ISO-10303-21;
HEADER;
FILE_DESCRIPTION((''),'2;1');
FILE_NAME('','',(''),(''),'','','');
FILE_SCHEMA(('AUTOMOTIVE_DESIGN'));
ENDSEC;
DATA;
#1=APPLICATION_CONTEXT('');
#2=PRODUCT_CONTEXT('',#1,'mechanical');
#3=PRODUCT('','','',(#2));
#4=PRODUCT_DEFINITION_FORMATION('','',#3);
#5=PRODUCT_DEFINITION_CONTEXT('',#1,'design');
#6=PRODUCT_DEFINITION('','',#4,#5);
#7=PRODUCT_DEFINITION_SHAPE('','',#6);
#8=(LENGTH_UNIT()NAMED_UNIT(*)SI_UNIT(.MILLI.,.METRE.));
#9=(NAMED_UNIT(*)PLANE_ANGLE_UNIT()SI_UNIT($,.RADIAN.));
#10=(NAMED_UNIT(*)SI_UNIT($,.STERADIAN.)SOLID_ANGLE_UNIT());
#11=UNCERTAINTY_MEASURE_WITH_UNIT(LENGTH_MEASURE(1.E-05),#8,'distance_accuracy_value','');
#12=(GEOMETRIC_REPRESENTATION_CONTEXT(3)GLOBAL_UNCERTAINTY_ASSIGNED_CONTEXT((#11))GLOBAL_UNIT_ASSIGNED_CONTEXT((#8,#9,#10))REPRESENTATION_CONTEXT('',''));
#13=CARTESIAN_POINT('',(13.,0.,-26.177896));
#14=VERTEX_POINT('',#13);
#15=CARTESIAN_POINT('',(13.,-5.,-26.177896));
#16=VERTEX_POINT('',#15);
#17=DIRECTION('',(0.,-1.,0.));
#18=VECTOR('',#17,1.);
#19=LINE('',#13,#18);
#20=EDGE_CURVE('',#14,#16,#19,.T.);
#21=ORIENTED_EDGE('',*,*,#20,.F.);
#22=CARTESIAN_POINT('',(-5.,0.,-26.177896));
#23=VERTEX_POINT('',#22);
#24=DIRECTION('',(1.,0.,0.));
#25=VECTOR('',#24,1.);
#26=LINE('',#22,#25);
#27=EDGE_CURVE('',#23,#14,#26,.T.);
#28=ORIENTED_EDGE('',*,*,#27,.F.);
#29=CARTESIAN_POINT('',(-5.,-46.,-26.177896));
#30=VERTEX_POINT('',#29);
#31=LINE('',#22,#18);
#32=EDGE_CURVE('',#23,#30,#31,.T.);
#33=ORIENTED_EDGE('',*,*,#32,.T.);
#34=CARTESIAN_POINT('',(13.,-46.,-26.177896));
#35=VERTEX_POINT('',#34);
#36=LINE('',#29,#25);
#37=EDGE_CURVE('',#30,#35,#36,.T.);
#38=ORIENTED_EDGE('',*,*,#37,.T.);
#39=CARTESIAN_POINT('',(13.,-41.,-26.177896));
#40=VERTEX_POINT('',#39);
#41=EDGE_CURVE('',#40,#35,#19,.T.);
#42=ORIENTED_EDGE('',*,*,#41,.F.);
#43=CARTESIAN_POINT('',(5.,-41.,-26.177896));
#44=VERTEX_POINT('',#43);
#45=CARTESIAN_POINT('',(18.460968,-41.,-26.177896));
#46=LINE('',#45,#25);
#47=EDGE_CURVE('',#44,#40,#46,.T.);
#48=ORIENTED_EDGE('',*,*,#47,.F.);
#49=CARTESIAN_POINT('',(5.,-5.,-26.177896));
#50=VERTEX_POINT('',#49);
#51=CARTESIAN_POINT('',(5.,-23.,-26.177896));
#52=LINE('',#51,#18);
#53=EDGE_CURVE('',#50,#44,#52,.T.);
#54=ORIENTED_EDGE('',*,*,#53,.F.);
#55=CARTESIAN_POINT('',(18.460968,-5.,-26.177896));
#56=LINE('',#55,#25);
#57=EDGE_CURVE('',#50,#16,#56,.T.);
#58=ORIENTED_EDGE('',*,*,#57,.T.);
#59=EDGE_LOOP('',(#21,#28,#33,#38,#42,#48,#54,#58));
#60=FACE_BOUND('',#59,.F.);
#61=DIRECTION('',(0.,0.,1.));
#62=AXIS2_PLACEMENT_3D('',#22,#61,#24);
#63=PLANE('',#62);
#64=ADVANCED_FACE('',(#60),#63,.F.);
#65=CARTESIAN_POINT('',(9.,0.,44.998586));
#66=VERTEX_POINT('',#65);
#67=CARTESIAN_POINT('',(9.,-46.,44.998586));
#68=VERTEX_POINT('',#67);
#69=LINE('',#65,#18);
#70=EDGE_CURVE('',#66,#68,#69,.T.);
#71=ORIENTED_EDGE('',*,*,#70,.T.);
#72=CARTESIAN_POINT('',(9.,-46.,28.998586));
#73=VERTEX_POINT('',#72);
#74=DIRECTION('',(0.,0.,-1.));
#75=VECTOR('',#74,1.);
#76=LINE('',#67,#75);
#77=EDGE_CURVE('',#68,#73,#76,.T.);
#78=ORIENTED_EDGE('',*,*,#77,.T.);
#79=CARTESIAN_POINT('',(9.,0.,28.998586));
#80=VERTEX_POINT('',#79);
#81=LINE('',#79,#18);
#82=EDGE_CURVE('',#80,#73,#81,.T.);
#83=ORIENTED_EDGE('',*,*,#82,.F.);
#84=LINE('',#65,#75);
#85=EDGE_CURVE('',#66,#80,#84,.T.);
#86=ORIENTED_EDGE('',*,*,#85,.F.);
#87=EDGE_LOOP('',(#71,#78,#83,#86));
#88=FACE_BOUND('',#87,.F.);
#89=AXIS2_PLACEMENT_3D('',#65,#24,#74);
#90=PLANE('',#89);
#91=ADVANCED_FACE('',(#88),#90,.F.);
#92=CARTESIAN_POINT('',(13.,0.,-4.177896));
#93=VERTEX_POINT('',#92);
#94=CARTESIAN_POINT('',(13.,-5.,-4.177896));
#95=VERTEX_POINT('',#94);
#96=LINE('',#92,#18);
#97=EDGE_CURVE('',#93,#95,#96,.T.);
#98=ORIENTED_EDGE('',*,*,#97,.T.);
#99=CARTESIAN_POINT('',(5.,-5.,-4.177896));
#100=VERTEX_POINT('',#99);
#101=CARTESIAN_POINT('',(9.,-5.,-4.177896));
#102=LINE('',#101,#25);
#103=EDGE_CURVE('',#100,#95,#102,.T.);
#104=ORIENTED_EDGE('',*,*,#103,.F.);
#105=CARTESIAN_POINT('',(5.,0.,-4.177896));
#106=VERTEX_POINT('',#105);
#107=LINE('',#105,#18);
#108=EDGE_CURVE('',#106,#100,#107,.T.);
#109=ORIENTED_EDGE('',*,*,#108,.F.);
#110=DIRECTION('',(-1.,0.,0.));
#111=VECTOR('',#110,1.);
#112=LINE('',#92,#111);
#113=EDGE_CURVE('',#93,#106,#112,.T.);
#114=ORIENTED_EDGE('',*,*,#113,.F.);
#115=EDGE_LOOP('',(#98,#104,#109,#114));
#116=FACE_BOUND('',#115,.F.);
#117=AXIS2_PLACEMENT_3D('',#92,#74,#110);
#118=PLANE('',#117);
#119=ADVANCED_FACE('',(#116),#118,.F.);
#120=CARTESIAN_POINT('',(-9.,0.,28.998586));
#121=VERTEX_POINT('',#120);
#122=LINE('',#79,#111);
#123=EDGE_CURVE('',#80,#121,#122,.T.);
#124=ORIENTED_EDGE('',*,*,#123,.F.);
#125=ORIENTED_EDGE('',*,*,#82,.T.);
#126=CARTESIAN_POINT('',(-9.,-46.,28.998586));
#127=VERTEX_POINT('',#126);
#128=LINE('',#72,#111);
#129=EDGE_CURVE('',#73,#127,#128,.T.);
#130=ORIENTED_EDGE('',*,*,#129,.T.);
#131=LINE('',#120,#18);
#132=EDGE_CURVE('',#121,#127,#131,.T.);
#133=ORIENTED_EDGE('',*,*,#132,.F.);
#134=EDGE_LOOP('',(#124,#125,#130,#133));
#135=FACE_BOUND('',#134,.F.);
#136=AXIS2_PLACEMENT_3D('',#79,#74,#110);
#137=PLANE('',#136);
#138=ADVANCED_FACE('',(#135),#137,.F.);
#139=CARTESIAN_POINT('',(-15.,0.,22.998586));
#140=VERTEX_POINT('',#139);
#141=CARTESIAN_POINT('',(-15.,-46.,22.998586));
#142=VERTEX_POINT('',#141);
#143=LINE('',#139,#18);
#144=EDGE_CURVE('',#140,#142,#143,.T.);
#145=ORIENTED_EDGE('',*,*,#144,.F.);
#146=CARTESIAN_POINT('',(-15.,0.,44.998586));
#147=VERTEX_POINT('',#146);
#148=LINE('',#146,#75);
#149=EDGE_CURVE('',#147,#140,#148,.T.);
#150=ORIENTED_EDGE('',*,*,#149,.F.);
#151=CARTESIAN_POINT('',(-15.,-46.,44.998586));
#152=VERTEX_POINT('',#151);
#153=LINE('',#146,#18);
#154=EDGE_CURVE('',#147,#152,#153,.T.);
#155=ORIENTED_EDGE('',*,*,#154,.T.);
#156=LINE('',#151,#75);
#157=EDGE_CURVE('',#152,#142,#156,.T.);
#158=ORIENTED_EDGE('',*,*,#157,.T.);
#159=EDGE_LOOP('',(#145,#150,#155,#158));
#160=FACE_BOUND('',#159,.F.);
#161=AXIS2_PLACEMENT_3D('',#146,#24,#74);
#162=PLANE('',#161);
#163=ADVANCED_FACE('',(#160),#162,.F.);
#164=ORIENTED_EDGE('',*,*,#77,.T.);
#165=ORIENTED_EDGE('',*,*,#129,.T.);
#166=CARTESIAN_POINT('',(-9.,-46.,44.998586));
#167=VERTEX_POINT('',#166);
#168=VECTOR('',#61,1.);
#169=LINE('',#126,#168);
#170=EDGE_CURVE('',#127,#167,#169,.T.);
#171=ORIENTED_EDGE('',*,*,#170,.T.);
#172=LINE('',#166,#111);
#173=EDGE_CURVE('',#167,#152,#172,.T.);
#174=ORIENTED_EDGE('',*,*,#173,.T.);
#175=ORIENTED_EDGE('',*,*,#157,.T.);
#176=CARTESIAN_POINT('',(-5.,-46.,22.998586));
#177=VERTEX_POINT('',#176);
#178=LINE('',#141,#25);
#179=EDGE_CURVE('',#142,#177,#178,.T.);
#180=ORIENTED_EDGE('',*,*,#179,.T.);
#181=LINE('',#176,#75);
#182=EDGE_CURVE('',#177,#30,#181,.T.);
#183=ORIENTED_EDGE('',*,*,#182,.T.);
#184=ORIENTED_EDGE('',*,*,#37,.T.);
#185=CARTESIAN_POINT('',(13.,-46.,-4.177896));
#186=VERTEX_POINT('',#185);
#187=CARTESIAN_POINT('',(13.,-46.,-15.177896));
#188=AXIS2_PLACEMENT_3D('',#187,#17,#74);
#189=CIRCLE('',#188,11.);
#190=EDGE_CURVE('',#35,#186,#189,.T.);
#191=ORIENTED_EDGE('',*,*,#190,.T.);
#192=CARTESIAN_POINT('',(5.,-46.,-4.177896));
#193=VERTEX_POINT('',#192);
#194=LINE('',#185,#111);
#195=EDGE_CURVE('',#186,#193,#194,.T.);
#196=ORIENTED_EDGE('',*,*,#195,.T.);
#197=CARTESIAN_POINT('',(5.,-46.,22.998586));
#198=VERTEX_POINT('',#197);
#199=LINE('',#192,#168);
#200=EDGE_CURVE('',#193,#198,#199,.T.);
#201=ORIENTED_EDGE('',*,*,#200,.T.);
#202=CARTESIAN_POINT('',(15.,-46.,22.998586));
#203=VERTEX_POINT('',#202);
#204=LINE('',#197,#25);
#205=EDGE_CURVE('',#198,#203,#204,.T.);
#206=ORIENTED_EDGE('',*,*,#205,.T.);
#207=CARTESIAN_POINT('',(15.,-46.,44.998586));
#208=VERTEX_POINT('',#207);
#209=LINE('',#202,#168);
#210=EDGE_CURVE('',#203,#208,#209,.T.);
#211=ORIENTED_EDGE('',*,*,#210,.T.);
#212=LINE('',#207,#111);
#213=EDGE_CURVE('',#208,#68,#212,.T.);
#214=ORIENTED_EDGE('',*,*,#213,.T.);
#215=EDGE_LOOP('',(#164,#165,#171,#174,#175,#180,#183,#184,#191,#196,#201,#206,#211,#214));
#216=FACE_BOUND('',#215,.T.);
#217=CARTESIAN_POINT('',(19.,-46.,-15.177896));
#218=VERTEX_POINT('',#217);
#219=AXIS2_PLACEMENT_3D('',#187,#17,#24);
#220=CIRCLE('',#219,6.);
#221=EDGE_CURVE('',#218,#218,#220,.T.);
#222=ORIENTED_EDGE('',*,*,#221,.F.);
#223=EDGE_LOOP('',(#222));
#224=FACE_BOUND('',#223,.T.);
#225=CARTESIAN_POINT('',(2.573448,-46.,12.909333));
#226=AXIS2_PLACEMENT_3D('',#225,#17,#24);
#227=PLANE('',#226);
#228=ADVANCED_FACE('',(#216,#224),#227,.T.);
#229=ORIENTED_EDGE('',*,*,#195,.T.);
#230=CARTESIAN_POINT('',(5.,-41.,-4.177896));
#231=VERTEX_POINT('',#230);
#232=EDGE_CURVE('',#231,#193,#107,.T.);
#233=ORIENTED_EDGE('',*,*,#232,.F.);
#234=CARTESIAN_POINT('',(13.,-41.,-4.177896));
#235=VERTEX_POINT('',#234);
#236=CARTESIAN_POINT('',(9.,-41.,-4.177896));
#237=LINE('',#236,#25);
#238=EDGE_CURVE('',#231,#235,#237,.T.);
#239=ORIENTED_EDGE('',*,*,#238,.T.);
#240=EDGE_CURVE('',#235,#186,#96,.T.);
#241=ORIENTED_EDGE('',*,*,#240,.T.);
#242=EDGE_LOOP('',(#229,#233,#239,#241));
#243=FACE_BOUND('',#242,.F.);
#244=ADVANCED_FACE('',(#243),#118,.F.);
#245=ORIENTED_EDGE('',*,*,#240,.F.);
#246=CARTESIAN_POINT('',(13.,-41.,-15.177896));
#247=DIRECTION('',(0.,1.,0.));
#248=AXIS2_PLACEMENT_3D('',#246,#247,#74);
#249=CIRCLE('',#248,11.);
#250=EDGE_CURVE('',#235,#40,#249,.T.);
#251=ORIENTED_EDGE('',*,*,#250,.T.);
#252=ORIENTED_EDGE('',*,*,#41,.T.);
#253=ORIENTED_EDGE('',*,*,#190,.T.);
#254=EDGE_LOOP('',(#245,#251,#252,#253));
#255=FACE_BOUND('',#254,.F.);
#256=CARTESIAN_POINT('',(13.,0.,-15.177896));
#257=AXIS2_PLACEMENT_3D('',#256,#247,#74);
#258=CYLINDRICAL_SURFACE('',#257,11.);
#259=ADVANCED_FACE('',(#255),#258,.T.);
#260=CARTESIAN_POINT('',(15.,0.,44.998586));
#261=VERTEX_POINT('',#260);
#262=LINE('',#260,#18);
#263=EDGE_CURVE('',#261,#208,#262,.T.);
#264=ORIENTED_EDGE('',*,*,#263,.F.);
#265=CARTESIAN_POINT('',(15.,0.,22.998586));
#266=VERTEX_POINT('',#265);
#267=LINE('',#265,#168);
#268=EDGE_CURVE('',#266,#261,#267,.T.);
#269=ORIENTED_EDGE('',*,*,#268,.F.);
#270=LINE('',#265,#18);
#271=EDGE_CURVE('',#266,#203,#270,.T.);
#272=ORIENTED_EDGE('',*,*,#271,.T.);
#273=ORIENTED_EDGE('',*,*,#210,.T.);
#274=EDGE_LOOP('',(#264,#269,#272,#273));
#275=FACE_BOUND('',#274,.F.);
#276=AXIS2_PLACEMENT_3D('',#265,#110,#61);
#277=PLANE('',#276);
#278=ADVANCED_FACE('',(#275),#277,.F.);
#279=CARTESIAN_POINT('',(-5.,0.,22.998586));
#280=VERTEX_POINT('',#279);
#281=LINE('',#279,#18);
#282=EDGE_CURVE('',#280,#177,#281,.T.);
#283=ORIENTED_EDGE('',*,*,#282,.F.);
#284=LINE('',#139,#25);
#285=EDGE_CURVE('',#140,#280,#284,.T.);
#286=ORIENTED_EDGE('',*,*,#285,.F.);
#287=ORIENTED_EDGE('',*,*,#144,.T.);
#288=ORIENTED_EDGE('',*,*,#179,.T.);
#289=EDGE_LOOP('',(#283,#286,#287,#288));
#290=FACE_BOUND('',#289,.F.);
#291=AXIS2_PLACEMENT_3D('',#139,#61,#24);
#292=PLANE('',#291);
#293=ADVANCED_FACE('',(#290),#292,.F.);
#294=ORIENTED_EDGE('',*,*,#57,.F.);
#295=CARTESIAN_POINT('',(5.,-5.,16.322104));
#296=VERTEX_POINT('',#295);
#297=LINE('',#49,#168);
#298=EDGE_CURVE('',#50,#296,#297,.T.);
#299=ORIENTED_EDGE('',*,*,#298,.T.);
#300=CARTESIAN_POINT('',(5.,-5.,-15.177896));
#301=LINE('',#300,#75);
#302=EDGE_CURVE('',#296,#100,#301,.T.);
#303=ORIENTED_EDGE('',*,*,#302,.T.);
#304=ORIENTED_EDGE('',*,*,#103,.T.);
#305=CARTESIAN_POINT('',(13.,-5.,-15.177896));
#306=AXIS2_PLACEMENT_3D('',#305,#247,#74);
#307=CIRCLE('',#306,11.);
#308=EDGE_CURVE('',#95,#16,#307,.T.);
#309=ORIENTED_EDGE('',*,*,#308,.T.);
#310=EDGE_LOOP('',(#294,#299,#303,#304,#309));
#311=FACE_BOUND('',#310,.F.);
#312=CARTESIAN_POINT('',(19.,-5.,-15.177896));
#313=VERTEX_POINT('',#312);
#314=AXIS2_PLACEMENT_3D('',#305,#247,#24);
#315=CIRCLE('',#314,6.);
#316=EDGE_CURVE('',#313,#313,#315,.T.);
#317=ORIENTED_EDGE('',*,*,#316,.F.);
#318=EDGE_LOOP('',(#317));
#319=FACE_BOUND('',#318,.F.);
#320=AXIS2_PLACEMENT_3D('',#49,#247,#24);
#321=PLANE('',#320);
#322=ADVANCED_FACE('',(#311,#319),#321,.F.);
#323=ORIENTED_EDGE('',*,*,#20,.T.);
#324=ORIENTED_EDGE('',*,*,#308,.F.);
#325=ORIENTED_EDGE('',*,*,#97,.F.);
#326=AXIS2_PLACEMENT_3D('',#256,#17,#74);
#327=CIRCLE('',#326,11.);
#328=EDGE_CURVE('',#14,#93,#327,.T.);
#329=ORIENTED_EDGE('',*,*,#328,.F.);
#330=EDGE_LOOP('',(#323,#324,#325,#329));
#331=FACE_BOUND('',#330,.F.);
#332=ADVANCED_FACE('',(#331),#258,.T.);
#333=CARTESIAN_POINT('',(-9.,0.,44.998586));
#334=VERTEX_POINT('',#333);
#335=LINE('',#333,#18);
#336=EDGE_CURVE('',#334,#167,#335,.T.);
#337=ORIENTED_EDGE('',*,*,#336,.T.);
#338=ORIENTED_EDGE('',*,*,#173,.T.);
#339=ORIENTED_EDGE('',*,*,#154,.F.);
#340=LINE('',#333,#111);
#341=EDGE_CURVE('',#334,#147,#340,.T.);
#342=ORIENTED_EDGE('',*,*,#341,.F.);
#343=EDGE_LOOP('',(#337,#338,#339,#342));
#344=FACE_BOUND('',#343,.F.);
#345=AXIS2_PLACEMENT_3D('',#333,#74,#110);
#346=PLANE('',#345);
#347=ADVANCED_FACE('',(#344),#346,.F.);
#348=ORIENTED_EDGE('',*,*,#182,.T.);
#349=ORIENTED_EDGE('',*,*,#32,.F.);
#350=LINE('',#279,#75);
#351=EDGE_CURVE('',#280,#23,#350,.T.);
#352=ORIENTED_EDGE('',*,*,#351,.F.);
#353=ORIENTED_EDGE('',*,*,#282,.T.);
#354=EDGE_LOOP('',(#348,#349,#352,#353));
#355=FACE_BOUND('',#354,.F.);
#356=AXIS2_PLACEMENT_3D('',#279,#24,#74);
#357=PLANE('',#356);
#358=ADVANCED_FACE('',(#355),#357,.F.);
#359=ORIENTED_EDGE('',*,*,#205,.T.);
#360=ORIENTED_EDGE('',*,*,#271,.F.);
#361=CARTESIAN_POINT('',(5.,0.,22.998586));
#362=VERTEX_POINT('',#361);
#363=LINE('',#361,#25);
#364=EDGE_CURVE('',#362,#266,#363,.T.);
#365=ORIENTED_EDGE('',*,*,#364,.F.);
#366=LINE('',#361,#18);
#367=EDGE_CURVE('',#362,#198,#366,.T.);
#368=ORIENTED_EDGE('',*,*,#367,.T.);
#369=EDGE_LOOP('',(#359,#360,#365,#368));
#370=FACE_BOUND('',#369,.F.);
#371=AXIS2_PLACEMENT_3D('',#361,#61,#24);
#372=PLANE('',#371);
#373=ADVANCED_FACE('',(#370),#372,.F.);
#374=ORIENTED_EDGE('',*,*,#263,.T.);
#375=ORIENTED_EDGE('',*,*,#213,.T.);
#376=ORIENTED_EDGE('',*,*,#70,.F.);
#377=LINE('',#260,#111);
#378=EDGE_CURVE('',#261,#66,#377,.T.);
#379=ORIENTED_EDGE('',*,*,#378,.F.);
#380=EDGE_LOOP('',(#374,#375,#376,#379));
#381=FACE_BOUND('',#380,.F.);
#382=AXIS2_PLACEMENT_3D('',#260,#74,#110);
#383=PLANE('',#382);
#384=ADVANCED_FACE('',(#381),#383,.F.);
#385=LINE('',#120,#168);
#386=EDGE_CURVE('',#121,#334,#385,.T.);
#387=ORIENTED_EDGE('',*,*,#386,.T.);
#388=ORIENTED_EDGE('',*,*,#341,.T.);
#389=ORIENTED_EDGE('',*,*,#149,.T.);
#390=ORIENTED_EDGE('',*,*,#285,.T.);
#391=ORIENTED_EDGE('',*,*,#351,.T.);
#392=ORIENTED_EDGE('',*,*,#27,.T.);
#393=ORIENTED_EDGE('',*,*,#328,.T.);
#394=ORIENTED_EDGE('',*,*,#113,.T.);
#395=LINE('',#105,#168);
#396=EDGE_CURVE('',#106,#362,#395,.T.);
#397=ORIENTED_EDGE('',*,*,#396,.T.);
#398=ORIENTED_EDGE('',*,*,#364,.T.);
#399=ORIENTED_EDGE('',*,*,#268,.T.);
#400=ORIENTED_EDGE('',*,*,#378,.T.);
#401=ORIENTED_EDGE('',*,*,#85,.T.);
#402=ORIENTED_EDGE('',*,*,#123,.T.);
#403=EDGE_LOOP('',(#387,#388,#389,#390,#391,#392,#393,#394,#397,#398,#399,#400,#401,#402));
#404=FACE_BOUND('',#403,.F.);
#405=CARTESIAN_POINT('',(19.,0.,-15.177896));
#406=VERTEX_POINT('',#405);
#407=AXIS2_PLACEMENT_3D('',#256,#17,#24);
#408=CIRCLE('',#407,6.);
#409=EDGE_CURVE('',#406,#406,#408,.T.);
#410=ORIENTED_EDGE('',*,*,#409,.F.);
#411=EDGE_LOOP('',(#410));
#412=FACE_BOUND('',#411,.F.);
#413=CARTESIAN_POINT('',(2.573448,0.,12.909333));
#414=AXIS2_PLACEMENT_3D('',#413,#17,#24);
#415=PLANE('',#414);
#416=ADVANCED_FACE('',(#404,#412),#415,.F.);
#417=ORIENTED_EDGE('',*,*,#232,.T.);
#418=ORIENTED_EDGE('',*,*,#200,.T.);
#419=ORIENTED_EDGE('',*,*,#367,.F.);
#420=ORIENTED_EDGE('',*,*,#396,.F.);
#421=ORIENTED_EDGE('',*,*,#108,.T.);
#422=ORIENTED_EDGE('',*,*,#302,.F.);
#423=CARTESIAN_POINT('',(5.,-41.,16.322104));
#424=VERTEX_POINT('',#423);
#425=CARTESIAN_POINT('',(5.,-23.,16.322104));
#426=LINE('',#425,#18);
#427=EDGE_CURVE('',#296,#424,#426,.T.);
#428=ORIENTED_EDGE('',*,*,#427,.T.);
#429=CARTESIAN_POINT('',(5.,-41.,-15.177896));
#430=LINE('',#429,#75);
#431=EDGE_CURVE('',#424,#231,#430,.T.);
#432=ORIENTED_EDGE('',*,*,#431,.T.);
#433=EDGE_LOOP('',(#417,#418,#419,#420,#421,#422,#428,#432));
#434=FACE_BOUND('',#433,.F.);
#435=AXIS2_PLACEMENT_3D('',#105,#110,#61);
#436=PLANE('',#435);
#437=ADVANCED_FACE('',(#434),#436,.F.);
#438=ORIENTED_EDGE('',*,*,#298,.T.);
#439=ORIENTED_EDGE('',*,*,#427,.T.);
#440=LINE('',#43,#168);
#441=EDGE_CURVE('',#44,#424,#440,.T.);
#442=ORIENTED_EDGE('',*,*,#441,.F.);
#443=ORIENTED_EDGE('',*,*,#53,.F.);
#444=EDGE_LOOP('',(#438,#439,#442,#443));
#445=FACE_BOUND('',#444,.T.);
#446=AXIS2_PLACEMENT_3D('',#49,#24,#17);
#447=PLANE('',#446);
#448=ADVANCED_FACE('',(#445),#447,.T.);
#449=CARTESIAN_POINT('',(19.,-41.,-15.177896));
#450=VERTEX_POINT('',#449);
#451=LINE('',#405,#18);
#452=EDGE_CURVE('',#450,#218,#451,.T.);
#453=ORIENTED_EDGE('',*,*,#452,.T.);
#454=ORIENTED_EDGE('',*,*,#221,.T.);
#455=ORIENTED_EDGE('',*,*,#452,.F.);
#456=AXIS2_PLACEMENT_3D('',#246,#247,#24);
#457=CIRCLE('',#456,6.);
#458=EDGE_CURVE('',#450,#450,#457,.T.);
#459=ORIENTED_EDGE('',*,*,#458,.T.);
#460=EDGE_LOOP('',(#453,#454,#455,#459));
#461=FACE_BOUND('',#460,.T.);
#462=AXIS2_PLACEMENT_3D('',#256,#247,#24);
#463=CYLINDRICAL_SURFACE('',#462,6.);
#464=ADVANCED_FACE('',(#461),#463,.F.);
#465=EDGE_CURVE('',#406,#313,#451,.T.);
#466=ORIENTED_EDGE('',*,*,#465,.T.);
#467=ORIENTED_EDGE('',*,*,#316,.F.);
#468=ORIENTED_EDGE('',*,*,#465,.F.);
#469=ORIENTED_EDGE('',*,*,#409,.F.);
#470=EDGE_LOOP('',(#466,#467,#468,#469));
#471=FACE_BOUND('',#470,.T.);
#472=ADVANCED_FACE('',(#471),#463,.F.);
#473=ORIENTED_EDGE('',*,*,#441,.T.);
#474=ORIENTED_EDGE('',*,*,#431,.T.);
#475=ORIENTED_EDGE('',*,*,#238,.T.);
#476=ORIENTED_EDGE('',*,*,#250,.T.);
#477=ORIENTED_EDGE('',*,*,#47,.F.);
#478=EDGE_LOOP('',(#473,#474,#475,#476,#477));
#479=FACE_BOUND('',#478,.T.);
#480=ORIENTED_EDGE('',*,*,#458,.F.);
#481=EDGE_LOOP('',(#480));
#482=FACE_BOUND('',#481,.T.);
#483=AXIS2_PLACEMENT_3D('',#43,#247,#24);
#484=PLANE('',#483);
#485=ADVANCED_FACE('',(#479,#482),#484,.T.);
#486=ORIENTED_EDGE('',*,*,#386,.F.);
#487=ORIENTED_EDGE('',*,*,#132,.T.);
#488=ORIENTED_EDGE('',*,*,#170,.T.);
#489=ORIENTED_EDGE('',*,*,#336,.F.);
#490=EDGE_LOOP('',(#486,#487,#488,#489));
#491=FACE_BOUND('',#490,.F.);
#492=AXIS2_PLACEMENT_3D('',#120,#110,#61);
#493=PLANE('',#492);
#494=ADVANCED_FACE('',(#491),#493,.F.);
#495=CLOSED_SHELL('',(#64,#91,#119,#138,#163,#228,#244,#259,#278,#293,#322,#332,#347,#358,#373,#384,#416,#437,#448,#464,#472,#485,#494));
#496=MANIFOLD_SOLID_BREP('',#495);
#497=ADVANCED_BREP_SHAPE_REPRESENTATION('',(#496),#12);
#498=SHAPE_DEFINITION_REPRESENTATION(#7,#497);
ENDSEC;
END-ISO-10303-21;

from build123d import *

# Parameters (mm, degrees)
F0_R     = 6
F1_DEPTH = 46
F2_W     = 26.921937
F2_H     = 36
F3_DEPTH = 42.5


with BuildPart() as f1:
    # F0 (on Front) → F1 (new body)
    with BuildSketch(Plane.XZ):
        with BuildLine():
            Line((-9, 44.998586), (-15, 44.998586))
            Line((-15, 44.998586), (-15, 22.998586))
            Line((-15, 22.998586), (-5, 22.998586))
            Line((-5, 22.998586), (-5, -26.177896))
            Line((-5, -26.177896), (5, -26.177896))
            Line((5, -26.177896), (13, -26.177896))
            ThreePointArc((13, -26.177896), (24, -15.177896), (13, -4.177896))
            Line((13, -4.177896), (5, -4.177896))
            Line((5, -4.177896), (5, 22.998586))
            Line((5, 22.998586), (15, 22.998586))
            Line((15, 22.998586), (15, 44.998586))
            Line((15, 44.998586), (9, 44.998586))
            Line((9, 44.998586), (9, 28.998586))
            Line((9, 28.998586), (-9, 28.998586))
            Line((-9, 28.998586), (-9, 44.998586))
        make_face()
        with Locations((13, -15.177896)):
            Circle(F0_R, mode=Mode.SUBTRACT)
    extrude(amount=F1_DEPTH)


with BuildPart() as f3:
    # F2 (on face) → F3 (new body)
    with BuildSketch(Plane(origin=(0, 0, -26.177896), x_dir=(1, 0, 0), z_dir=(0, 0, -1))):
        with Locations((18.460968, 23)):
            Rectangle(F2_W, F2_H)
    extrude(amount=-F3_DEPTH)


with BuildPart() as f1_1:
    add(f1.part)

    # F4: cut F3
    add(f3.part, mode=Mode.SUBTRACT)


solid = f1_1.part
